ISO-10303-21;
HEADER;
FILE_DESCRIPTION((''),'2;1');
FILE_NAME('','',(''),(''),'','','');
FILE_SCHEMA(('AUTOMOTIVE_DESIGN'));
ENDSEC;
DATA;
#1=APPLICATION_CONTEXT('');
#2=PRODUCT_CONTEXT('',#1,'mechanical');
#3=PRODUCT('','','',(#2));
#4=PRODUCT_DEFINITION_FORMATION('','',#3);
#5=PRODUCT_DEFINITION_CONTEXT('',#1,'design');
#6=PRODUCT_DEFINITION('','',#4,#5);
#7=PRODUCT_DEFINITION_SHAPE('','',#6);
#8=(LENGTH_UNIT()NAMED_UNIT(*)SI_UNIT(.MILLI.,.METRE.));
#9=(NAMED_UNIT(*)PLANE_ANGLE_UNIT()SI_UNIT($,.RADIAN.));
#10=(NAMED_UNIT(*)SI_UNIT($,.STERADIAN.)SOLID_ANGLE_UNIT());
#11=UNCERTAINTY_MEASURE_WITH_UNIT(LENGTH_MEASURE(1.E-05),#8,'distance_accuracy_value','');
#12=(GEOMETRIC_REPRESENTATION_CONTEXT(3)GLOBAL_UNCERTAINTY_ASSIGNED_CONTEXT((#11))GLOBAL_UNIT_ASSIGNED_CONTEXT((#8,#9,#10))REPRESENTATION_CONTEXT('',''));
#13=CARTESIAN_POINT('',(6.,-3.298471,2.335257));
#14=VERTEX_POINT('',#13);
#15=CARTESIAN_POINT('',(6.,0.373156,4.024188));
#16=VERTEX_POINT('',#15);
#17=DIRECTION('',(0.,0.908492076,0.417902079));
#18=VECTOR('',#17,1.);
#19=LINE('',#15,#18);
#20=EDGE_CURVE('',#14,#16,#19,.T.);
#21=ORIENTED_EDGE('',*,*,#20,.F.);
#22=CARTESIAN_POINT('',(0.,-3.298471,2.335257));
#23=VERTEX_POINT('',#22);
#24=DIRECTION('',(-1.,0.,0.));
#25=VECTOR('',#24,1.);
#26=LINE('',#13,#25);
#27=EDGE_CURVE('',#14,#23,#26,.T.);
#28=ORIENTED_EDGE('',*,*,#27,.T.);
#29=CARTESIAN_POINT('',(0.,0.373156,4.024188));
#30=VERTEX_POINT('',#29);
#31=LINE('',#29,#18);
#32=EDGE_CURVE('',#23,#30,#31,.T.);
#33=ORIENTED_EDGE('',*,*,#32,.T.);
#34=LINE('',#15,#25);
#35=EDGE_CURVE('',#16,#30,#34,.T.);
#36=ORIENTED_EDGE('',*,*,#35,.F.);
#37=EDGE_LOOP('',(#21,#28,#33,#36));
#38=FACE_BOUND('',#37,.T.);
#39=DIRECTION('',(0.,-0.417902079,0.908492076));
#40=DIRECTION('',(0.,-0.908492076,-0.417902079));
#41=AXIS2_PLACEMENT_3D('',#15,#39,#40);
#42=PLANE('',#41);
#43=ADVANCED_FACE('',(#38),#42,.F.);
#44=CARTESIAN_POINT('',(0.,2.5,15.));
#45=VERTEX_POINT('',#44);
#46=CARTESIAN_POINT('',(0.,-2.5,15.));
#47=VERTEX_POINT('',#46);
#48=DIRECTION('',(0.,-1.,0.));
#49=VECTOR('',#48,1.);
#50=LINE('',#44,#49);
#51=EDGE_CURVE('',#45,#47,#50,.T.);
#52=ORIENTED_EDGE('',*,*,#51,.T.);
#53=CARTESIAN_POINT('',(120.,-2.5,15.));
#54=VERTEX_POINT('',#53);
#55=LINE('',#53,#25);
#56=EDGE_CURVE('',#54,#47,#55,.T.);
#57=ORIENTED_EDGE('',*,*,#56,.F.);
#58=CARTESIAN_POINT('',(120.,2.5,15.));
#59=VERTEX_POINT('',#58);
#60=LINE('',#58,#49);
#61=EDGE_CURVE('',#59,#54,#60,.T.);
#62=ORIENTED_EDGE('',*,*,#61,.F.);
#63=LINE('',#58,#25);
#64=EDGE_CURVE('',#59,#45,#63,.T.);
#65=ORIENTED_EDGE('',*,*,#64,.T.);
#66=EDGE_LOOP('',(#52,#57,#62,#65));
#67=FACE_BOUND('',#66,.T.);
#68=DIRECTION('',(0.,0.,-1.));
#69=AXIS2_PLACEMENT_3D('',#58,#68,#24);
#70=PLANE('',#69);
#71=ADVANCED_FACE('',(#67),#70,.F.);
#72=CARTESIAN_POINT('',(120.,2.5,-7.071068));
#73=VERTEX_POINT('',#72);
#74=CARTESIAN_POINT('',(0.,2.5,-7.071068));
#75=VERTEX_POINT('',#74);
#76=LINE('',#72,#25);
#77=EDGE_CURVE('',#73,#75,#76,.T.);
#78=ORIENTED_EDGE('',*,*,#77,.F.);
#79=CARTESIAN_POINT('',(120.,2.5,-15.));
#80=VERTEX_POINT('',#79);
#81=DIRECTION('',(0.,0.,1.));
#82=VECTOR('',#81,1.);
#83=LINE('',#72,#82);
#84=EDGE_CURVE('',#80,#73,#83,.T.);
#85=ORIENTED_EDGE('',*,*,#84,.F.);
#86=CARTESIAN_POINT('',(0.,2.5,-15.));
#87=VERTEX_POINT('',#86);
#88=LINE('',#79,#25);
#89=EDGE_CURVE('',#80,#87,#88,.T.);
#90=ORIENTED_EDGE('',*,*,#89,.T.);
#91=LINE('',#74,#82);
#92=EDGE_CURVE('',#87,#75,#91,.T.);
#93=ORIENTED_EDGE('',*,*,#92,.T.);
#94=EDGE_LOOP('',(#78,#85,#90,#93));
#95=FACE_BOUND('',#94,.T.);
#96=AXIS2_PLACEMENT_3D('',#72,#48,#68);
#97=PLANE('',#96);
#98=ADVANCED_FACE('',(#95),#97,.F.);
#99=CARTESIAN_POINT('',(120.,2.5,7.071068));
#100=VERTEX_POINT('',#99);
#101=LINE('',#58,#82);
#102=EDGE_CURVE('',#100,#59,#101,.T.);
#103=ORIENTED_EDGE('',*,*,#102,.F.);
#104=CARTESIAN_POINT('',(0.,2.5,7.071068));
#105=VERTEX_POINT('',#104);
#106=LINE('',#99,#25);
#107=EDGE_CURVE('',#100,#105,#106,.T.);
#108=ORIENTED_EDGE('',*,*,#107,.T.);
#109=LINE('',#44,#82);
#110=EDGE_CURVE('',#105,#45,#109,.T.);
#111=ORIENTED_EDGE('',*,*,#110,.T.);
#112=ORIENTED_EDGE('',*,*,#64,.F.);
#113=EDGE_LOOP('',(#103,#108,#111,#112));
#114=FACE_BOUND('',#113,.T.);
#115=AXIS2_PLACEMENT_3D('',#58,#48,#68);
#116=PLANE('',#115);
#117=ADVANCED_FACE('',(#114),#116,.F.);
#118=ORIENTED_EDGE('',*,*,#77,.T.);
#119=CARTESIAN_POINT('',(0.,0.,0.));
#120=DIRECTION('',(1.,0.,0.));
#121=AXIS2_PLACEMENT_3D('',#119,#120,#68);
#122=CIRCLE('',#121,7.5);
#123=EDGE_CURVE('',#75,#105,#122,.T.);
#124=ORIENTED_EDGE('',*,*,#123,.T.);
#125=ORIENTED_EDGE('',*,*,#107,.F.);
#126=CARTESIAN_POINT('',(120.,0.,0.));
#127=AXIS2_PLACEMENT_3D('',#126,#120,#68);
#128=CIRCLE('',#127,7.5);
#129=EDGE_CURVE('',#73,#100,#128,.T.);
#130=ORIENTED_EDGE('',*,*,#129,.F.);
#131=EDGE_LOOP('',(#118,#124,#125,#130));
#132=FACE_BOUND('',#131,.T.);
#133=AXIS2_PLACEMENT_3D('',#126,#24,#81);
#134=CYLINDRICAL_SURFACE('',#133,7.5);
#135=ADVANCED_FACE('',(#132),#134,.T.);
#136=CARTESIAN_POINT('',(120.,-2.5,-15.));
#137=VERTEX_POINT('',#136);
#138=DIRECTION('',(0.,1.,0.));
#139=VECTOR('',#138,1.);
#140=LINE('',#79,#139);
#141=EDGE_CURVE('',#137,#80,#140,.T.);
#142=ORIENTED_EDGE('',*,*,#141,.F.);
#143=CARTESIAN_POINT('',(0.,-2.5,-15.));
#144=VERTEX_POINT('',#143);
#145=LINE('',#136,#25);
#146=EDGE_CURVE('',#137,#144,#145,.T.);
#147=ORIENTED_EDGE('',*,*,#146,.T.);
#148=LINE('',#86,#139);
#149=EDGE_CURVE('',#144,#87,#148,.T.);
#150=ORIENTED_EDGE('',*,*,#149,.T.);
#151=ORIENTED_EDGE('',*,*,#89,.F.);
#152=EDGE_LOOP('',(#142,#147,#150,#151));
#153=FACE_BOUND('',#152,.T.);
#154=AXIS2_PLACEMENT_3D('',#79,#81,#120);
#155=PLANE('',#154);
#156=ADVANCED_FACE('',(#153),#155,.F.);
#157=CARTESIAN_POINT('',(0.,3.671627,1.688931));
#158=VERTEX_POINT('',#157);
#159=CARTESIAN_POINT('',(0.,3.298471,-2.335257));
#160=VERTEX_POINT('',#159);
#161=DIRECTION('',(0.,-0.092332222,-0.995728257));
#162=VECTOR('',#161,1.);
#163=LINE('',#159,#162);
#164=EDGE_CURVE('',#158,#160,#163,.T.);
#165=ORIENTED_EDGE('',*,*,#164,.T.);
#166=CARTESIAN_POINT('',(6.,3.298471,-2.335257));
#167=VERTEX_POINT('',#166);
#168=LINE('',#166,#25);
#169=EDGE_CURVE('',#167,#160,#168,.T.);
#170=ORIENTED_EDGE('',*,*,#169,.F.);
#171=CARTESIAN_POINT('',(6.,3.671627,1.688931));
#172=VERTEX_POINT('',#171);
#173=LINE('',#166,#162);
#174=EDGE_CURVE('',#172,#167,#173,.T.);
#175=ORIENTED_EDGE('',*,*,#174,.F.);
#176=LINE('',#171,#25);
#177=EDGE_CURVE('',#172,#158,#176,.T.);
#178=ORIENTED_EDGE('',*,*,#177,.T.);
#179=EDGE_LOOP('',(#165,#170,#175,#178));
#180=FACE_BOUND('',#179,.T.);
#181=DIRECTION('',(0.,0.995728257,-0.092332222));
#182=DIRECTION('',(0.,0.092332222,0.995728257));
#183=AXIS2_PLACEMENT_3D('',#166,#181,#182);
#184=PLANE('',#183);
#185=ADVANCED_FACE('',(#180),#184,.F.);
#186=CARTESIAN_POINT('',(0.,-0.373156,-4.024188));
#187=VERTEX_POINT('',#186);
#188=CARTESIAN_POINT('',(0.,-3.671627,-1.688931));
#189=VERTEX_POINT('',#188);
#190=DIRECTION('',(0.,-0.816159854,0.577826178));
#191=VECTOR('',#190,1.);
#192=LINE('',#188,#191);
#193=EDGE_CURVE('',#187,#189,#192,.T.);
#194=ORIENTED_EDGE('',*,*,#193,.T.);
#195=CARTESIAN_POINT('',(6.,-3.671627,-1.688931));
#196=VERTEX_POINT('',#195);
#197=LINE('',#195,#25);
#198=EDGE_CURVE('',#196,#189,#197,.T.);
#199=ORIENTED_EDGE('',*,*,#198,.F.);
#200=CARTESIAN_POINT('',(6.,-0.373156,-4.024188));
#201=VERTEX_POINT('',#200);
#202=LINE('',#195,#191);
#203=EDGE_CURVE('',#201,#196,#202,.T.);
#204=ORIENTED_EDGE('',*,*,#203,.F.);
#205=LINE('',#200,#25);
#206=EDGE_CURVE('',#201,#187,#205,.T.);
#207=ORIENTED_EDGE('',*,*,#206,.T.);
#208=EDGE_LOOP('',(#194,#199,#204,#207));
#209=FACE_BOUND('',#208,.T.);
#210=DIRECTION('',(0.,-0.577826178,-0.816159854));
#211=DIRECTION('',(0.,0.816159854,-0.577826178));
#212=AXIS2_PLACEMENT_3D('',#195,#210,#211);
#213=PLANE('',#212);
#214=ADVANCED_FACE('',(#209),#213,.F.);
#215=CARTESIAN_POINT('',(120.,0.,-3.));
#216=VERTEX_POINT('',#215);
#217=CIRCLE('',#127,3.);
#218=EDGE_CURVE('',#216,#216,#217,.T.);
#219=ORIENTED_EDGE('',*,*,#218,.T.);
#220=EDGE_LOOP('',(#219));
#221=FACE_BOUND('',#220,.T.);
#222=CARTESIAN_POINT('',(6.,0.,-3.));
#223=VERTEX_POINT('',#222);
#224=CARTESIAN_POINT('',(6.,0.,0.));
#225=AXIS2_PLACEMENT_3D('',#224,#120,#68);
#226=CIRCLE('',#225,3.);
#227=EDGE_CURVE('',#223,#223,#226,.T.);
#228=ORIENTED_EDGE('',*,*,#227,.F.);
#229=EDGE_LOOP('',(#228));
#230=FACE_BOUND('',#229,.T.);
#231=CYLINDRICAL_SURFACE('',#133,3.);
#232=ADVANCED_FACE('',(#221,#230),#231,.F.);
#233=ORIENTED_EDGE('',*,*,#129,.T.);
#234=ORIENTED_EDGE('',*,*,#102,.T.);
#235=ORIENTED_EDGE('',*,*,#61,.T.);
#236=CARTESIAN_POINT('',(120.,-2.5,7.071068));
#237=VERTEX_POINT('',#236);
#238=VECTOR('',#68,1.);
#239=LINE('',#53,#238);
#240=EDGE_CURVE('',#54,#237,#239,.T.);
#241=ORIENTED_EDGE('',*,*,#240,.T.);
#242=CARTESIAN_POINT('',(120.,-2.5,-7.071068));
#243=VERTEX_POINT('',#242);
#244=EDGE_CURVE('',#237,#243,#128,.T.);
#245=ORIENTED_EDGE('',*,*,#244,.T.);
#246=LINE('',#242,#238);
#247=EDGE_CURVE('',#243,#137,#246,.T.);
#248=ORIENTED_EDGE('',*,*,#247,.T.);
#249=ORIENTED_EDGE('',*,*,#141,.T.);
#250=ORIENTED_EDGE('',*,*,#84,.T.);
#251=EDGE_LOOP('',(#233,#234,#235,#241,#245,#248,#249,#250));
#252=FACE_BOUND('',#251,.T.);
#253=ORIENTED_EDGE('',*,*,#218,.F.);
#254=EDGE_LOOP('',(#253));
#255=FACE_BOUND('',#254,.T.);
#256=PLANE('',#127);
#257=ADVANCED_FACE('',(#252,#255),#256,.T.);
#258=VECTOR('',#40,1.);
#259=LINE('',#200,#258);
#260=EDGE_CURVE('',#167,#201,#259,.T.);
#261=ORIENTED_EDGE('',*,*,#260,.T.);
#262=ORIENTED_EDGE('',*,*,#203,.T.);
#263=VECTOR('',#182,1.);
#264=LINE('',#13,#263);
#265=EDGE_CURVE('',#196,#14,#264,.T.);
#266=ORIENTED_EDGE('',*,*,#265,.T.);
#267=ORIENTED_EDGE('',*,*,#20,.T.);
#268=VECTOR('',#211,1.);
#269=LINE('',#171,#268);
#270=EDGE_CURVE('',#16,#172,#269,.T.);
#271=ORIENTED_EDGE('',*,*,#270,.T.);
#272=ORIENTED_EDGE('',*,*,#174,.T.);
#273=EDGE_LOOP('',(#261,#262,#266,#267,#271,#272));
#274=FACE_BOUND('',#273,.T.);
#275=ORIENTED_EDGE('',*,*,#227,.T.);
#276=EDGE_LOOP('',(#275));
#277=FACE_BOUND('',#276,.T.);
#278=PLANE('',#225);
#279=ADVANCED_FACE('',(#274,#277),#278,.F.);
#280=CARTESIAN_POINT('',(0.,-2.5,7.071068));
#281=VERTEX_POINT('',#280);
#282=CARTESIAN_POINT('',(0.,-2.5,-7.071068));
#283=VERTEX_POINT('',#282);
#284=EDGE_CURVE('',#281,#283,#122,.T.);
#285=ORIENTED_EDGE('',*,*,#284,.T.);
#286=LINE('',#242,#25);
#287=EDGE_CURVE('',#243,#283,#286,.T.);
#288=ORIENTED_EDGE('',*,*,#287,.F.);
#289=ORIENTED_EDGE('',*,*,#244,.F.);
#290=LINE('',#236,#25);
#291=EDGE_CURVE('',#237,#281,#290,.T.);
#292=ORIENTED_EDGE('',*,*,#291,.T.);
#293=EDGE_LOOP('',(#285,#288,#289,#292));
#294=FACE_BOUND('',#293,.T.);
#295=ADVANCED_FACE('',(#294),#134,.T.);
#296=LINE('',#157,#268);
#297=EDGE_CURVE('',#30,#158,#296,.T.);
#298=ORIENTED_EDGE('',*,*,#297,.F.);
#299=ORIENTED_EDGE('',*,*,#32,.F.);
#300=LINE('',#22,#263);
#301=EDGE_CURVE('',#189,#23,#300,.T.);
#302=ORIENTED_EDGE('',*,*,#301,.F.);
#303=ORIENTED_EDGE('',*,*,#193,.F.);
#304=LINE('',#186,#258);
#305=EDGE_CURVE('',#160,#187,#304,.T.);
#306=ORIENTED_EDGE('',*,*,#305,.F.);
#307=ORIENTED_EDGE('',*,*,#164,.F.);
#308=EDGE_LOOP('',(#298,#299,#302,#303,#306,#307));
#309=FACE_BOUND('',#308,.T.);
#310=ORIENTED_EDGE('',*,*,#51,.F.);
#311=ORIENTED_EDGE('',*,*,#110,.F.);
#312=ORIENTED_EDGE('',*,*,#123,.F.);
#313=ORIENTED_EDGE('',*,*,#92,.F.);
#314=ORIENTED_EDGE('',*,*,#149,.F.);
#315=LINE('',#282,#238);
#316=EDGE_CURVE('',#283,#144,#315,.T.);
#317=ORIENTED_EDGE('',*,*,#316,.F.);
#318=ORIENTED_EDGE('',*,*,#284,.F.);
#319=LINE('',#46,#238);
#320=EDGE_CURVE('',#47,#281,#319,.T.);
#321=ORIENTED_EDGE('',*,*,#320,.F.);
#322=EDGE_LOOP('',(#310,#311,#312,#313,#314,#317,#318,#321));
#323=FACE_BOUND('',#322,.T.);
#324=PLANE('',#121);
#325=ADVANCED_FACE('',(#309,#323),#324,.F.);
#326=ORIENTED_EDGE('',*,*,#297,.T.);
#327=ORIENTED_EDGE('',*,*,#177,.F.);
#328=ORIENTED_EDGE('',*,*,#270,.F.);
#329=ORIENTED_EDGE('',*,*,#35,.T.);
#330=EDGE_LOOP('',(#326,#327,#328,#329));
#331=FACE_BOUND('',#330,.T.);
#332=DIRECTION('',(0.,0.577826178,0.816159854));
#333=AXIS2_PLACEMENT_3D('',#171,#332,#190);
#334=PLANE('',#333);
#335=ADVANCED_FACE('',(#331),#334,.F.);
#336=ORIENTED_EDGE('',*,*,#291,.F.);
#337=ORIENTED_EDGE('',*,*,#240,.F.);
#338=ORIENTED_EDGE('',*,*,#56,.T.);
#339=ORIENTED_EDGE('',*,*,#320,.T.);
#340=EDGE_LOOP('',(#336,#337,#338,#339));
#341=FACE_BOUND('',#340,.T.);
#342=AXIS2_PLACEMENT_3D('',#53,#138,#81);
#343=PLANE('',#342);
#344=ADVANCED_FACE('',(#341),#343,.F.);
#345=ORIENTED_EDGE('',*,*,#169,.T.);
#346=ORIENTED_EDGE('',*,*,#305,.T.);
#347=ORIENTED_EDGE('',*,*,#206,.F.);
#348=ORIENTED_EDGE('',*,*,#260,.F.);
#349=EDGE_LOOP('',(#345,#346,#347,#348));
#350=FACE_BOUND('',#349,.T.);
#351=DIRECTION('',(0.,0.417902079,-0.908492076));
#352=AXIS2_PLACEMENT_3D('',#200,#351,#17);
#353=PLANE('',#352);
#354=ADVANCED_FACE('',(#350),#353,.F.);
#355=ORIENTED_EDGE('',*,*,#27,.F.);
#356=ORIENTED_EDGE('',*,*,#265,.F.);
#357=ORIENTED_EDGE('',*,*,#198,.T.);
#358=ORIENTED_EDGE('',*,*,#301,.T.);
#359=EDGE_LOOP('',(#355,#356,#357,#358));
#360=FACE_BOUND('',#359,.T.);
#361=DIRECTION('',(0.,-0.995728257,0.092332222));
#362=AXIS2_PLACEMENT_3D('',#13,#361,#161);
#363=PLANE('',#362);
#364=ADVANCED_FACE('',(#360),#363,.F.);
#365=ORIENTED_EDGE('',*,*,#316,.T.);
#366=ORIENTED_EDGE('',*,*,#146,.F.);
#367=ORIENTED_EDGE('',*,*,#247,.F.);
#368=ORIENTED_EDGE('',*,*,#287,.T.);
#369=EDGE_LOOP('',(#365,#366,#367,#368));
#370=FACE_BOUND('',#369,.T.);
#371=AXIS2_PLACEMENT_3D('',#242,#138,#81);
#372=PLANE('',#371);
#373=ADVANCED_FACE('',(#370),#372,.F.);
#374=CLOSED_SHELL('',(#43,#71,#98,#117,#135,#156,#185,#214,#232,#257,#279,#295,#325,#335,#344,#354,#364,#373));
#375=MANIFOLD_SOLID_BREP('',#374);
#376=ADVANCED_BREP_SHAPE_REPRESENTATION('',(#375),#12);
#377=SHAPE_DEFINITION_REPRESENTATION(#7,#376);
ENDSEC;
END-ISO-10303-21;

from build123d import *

# Parameters (mm, degrees)
SKETCH_1_R          = 3
EXTRUDE_1_DEPTH     = 120
CUT_EXTRUDE_1_DEPTH = 6


with BuildPart() as part:
    # Эскиз1 → Бобышка-Вытянуть1 (new body)
    with BuildSketch(Plane(origin=(0, 0, 0), x_dir=(0, 0, -1), z_dir=(1, 0, 0))):
        with BuildLine():
            Line((-15, 2.5), (-7.071067812, 2.5))
            ThreePointArc((-7.071067812, 2.5), (0, 7.5), (7.071067812, 2.5))
            Line((7.071067812, 2.5), (15, 2.5))
            Line((15, 2.5), (15, -2.5))
            Line((15, -2.5), (7.071067812, -2.5))
            ThreePointArc((7.071067812, -2.5), (0, -7.5), (-7.071067812, -2.5))
            Line((-7.071067812, -2.5), (-15, -2.5))
            Line((-15, -2.5), (-15, 2.5))
        make_face()
        Circle(SKETCH_1_R, mode=Mode.SUBTRACT)
    extrude(amount=EXTRUDE_1_DEPTH)

    # Эскиз2 → Вырез-Вытянуть1 (cut)
    with BuildSketch(Plane.ZY):
        Polygon((1.688931143, 3.671627014), (4.024187839, 0.373156232), (2.335256696, -3.298470782), (-1.688931143, -3.671627014), (-4.024187839, -0.373156232), (-2.335256696, 3.298470782), align=None)
    extrude(amount=-CUT_EXTRUDE_1_DEPTH, mode=Mode.SUBTRACT)


solid = part.part
